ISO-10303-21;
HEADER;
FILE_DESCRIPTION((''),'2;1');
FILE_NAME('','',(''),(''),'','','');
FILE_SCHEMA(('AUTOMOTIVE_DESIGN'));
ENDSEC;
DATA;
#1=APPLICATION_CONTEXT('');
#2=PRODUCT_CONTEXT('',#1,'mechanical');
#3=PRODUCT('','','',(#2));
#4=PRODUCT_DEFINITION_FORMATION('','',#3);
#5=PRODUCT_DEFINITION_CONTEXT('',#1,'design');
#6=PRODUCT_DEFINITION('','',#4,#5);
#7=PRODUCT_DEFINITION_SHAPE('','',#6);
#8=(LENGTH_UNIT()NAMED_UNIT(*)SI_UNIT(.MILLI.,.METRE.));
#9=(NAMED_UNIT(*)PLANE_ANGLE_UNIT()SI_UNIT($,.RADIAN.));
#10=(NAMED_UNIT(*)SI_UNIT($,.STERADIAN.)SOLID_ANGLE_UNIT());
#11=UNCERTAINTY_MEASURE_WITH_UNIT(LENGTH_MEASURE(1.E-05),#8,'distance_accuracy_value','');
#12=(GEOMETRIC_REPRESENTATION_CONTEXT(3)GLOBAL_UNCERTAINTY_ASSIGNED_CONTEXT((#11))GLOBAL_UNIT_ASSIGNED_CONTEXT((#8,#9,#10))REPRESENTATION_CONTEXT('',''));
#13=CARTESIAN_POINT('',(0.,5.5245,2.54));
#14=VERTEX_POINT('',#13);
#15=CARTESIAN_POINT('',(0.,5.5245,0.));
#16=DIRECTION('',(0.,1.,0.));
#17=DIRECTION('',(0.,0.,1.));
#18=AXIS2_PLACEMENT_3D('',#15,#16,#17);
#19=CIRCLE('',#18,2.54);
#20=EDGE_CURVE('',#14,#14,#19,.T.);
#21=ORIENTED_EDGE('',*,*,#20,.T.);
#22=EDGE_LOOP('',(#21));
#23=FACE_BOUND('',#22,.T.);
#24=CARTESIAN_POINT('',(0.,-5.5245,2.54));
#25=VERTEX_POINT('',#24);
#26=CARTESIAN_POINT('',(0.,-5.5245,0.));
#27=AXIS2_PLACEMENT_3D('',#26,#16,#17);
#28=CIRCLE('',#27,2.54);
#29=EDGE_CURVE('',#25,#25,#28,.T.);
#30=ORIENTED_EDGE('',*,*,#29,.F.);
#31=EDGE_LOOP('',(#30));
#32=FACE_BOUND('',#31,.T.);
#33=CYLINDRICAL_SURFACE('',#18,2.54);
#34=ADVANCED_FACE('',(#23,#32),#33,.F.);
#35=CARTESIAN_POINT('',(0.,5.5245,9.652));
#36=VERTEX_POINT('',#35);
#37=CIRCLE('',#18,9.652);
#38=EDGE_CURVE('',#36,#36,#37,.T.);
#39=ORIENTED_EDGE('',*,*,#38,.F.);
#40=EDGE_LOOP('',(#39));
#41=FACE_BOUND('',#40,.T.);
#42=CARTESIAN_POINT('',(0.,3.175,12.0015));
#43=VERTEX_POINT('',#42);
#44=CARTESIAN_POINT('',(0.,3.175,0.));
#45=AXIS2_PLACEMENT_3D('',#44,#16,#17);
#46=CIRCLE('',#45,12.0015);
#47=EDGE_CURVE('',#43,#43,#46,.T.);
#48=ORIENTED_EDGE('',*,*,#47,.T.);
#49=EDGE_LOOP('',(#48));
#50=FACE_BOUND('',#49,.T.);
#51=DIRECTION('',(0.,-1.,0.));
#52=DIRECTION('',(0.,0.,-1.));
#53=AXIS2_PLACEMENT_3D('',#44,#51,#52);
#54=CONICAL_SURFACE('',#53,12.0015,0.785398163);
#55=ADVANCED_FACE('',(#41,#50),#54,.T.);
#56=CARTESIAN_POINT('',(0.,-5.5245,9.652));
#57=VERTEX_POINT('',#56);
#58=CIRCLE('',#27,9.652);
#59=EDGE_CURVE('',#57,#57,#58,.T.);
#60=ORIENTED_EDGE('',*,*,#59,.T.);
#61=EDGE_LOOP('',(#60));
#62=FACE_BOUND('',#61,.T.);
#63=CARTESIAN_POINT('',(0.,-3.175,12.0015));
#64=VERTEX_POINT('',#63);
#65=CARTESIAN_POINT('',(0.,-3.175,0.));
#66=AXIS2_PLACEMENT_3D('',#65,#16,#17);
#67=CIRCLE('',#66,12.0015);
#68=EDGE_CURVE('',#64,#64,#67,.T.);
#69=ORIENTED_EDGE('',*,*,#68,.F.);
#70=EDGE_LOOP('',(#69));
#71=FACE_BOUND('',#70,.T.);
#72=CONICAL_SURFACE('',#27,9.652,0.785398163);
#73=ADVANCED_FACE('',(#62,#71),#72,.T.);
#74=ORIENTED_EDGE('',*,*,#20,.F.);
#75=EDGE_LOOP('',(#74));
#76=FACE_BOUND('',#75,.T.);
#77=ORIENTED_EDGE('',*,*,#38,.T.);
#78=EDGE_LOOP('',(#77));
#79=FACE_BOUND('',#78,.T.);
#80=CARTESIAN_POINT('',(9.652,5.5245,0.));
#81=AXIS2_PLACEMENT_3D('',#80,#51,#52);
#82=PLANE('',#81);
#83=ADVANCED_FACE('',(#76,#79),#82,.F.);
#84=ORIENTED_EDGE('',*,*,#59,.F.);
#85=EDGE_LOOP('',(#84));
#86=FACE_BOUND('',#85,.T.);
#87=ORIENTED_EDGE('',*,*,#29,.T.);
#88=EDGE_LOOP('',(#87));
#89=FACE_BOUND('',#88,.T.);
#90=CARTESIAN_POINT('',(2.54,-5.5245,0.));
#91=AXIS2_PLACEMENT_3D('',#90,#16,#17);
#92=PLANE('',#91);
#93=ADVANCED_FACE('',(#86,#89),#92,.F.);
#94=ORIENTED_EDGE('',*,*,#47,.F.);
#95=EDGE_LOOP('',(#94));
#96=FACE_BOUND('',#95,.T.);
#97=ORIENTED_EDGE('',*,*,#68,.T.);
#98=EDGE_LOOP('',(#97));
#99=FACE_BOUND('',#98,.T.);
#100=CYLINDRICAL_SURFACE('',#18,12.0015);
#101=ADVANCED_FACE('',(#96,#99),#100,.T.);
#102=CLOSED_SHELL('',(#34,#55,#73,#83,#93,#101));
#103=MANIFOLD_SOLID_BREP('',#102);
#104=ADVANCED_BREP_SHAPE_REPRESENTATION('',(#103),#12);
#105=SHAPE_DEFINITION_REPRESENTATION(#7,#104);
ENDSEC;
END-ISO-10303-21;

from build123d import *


with BuildPart() as part:
    # Sketch1 → Revolve1 (revolve)
    with BuildSketch(Plane.XY):
        Polygon((2.54, 5.5245), (2.54, -5.5245), (9.652, -5.5245), (12.0015, -3.175), (12.0015, 3.175), (9.652, 5.5245), align=None)
    revolve(axis=Axis((0, 5.5245, 0), (0, -1, 0)))


solid = part.part
